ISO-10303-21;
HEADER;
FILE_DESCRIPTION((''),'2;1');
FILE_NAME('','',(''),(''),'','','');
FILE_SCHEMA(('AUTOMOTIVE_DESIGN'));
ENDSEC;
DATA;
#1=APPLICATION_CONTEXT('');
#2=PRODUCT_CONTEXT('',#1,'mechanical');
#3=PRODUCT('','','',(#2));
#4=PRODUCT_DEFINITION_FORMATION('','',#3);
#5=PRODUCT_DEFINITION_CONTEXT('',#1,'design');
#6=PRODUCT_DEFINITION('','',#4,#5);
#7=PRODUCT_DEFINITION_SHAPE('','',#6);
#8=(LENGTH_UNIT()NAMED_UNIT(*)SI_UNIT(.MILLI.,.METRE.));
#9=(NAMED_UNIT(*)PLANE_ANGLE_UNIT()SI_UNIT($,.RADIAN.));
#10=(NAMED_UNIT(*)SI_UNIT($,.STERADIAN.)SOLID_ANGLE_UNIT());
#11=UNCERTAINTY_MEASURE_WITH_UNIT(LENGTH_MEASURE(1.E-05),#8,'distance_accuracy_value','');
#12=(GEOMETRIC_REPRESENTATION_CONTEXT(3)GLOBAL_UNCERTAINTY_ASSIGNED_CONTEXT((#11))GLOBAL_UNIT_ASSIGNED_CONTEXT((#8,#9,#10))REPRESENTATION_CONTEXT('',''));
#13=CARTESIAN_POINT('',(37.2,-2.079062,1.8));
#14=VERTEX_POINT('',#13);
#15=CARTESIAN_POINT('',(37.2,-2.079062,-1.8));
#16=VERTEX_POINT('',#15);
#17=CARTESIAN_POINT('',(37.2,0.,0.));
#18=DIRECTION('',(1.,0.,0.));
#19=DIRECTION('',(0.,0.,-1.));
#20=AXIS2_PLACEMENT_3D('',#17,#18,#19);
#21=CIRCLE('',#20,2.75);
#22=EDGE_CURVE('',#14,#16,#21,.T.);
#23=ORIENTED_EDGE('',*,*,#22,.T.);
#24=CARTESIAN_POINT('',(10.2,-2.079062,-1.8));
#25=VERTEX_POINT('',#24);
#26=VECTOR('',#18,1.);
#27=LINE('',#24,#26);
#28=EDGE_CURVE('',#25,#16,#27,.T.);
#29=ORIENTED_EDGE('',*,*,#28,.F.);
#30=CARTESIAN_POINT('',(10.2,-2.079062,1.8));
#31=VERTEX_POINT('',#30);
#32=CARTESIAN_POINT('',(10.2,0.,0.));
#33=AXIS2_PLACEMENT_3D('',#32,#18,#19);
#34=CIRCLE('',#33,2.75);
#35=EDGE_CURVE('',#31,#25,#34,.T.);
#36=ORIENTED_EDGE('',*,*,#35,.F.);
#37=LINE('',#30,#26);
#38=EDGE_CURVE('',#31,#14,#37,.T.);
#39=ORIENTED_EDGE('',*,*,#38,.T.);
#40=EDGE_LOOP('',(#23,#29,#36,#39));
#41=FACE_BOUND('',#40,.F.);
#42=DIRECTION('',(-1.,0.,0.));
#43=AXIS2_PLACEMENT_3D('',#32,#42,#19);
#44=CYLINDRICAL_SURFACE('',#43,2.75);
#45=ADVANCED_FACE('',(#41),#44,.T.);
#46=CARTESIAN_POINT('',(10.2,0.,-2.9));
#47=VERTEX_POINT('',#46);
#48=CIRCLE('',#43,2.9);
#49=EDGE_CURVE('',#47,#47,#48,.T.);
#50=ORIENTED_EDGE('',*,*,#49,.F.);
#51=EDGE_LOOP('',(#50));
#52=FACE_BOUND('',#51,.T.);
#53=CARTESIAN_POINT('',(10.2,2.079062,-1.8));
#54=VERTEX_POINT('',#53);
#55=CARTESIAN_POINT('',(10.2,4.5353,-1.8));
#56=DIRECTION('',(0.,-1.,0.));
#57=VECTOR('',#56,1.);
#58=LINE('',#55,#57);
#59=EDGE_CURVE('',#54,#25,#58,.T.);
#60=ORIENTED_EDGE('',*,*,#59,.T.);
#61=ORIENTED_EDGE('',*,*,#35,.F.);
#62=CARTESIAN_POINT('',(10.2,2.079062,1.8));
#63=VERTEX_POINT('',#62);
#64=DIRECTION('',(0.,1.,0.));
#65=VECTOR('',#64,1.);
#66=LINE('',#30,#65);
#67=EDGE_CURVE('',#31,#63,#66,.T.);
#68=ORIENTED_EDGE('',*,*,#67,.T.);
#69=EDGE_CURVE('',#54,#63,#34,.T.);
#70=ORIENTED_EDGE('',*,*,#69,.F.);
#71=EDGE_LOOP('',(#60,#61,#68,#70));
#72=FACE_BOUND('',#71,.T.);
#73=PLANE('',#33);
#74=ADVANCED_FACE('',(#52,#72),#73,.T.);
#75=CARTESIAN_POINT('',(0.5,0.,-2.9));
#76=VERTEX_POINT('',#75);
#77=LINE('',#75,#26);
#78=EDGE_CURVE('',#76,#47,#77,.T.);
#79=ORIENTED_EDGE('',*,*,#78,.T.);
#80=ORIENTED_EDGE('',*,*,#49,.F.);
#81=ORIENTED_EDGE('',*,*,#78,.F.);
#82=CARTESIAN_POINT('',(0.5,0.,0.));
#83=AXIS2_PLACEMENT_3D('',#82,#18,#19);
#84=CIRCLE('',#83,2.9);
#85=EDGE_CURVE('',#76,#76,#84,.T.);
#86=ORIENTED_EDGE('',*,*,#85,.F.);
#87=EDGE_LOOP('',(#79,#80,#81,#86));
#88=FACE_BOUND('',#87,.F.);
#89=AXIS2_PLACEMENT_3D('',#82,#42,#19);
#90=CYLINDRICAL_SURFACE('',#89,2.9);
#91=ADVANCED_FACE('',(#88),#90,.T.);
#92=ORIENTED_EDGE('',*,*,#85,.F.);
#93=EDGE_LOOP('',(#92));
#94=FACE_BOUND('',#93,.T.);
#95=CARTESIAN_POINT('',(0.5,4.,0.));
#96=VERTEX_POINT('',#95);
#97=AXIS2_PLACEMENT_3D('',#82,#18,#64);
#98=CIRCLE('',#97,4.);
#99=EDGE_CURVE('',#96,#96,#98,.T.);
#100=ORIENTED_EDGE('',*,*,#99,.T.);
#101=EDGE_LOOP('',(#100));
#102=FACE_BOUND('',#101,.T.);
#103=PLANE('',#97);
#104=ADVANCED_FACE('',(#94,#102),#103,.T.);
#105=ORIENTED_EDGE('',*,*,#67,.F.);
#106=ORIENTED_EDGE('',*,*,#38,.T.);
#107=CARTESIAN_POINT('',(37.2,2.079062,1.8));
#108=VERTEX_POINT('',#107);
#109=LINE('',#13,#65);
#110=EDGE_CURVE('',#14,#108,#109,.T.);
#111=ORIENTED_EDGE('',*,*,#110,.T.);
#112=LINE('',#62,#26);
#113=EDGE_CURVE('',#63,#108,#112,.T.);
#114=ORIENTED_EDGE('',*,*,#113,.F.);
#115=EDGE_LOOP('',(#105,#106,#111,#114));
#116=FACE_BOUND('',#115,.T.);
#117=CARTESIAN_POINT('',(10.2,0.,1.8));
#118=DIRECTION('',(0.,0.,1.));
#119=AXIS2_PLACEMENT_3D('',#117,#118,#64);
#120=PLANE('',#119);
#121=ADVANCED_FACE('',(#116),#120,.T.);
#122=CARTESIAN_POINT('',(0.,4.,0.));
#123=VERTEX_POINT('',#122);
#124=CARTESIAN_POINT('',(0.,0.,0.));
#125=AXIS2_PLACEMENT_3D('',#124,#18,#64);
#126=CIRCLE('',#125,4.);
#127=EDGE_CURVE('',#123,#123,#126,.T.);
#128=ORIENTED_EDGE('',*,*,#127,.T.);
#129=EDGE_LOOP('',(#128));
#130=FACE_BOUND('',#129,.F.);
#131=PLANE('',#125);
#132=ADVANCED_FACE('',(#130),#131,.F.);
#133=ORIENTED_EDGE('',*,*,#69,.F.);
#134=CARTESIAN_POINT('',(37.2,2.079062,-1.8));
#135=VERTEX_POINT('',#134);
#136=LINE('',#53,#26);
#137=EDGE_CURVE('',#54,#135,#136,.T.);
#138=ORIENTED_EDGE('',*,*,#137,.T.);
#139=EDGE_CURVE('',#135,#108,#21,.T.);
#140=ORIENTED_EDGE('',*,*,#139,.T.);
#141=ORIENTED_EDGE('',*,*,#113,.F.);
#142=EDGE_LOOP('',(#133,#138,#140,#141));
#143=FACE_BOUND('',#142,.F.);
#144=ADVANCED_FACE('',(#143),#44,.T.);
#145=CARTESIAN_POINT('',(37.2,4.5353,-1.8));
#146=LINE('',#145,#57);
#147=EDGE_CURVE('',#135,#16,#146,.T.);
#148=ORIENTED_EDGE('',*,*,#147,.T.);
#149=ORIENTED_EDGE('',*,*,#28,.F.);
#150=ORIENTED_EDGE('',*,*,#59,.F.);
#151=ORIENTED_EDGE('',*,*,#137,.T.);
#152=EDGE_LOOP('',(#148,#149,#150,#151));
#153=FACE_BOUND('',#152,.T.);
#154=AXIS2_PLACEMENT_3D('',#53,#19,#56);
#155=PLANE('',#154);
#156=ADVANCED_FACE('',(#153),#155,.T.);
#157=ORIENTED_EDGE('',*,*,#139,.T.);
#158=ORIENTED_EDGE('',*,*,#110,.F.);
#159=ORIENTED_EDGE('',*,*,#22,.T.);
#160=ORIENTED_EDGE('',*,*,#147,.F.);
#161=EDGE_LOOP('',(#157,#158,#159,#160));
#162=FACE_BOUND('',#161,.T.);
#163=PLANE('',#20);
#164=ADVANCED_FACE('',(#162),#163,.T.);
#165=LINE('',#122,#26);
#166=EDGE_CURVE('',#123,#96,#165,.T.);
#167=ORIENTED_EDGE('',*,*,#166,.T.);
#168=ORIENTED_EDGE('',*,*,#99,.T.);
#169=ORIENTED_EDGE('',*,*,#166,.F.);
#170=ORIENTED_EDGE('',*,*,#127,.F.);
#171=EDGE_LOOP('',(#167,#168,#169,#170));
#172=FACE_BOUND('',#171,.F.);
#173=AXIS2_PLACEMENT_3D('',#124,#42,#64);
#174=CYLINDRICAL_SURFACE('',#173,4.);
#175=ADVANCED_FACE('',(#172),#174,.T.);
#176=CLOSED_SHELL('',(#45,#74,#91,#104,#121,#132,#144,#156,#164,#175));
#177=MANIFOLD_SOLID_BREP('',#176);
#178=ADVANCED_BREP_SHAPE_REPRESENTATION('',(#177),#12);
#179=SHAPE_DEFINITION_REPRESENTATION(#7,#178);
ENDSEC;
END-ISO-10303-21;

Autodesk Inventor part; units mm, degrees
ref_plane "YZ Plane" through (0, 0, 0) normal (1, 0, 0) x (0, 1, 0)
ref_plane "XZ Plane" through (0, 0, 0) normal (0, 1, 0) x (-1, 0, 0)
ref_plane "XY Plane" through (0, 0, 0) normal (0, 0, 1) x (1, 0, 0)
sketch "Sketch1" plane through (0, 0, 0) normal (1, 0, 0) x (0, 1, 0)
  circle A0 centre (0, 0) radius 4
  dimension "d0" = 8
extrude "Extrusion1" add sketch "Sketch1" along normal blind 0.5
sketch "Sketch2" plane through (0.5, 0, 0) normal (1, 0, 0) x (0, 0, -1)
  circle A0 centre (0, 0) radius 2.9
  circle A1 centre (0, 0) radius 2.75
  line L0 (0, 0) -> (-1.8, 0)
  line L1 (-1.8, 0) -> (-1.8, 3.3564)
  line L2 (-1.8, 3.3564) -> (0, 3.3564)
  line L3 (0, 3.3564) -> (0, 0)
  line L4 (-1.8, 3.3564) -> (1.8, 3.3564)
  line L5 (1.8, 3.3564) -> (1.8, -4.1498)
  line L6 (1.8, -4.1498) -> (-1.8, -4.1498)
  line L7 (-1.8, -4.1498) -> (-1.8, 3.3564)
  dimension "d3" = 5.8
  dimension "d6" = 5.5
  dimension "d7" = 1.8
  dimension "d8" = 3.6
extrude "Extrusion2" add sketch "Sketch2" along normal blind 9.7 contours A0 L5 A1 | L5 A1 L3 A0 | A0 L7 A1 L5 | L3 A1 L1 A0 | L5 A1 L7 L0 L3 | A1 L5 | A0 L1 A1 L7 | L3 L0 L1 A1 | A1 L1 L7
sketch "Sketch3" plane through (10.2, 0, 0) normal (1, 0, 0) x (0, 0, -1)
  circle A0 centre (0, 0) radius 2.75
  line L0 (0, 0) -> (-1.8, 0)
  line L1 (-1.8, 0) -> (-1.8, 4.5353)
  line L2 (-1.8, 4.5353) -> (1.8, 4.5353)
  line L3 (1.8, 4.5353) -> (1.8, -4.8197)
  line L4 (1.8, -4.8197) -> (-1.8, -4.8197)
  line L5 (-1.8, -4.8197) -> (-1.8, 4.5353)
  point P0 (-1.8, -2.0791)
  point P1 (1.8, -2.0791)
  point P2 (1.8, 2.0791)
  point P3 (-1.8, 2.0791)
  dimension "d9" = 5.5
  dimension "d10" = 1.8
  dimension "d11" = 3.6
extrude "Extrusion3" add sketch "Sketch3" along normal blind 27 contours L3 A0 L5 L1
properties part number "wielas"
